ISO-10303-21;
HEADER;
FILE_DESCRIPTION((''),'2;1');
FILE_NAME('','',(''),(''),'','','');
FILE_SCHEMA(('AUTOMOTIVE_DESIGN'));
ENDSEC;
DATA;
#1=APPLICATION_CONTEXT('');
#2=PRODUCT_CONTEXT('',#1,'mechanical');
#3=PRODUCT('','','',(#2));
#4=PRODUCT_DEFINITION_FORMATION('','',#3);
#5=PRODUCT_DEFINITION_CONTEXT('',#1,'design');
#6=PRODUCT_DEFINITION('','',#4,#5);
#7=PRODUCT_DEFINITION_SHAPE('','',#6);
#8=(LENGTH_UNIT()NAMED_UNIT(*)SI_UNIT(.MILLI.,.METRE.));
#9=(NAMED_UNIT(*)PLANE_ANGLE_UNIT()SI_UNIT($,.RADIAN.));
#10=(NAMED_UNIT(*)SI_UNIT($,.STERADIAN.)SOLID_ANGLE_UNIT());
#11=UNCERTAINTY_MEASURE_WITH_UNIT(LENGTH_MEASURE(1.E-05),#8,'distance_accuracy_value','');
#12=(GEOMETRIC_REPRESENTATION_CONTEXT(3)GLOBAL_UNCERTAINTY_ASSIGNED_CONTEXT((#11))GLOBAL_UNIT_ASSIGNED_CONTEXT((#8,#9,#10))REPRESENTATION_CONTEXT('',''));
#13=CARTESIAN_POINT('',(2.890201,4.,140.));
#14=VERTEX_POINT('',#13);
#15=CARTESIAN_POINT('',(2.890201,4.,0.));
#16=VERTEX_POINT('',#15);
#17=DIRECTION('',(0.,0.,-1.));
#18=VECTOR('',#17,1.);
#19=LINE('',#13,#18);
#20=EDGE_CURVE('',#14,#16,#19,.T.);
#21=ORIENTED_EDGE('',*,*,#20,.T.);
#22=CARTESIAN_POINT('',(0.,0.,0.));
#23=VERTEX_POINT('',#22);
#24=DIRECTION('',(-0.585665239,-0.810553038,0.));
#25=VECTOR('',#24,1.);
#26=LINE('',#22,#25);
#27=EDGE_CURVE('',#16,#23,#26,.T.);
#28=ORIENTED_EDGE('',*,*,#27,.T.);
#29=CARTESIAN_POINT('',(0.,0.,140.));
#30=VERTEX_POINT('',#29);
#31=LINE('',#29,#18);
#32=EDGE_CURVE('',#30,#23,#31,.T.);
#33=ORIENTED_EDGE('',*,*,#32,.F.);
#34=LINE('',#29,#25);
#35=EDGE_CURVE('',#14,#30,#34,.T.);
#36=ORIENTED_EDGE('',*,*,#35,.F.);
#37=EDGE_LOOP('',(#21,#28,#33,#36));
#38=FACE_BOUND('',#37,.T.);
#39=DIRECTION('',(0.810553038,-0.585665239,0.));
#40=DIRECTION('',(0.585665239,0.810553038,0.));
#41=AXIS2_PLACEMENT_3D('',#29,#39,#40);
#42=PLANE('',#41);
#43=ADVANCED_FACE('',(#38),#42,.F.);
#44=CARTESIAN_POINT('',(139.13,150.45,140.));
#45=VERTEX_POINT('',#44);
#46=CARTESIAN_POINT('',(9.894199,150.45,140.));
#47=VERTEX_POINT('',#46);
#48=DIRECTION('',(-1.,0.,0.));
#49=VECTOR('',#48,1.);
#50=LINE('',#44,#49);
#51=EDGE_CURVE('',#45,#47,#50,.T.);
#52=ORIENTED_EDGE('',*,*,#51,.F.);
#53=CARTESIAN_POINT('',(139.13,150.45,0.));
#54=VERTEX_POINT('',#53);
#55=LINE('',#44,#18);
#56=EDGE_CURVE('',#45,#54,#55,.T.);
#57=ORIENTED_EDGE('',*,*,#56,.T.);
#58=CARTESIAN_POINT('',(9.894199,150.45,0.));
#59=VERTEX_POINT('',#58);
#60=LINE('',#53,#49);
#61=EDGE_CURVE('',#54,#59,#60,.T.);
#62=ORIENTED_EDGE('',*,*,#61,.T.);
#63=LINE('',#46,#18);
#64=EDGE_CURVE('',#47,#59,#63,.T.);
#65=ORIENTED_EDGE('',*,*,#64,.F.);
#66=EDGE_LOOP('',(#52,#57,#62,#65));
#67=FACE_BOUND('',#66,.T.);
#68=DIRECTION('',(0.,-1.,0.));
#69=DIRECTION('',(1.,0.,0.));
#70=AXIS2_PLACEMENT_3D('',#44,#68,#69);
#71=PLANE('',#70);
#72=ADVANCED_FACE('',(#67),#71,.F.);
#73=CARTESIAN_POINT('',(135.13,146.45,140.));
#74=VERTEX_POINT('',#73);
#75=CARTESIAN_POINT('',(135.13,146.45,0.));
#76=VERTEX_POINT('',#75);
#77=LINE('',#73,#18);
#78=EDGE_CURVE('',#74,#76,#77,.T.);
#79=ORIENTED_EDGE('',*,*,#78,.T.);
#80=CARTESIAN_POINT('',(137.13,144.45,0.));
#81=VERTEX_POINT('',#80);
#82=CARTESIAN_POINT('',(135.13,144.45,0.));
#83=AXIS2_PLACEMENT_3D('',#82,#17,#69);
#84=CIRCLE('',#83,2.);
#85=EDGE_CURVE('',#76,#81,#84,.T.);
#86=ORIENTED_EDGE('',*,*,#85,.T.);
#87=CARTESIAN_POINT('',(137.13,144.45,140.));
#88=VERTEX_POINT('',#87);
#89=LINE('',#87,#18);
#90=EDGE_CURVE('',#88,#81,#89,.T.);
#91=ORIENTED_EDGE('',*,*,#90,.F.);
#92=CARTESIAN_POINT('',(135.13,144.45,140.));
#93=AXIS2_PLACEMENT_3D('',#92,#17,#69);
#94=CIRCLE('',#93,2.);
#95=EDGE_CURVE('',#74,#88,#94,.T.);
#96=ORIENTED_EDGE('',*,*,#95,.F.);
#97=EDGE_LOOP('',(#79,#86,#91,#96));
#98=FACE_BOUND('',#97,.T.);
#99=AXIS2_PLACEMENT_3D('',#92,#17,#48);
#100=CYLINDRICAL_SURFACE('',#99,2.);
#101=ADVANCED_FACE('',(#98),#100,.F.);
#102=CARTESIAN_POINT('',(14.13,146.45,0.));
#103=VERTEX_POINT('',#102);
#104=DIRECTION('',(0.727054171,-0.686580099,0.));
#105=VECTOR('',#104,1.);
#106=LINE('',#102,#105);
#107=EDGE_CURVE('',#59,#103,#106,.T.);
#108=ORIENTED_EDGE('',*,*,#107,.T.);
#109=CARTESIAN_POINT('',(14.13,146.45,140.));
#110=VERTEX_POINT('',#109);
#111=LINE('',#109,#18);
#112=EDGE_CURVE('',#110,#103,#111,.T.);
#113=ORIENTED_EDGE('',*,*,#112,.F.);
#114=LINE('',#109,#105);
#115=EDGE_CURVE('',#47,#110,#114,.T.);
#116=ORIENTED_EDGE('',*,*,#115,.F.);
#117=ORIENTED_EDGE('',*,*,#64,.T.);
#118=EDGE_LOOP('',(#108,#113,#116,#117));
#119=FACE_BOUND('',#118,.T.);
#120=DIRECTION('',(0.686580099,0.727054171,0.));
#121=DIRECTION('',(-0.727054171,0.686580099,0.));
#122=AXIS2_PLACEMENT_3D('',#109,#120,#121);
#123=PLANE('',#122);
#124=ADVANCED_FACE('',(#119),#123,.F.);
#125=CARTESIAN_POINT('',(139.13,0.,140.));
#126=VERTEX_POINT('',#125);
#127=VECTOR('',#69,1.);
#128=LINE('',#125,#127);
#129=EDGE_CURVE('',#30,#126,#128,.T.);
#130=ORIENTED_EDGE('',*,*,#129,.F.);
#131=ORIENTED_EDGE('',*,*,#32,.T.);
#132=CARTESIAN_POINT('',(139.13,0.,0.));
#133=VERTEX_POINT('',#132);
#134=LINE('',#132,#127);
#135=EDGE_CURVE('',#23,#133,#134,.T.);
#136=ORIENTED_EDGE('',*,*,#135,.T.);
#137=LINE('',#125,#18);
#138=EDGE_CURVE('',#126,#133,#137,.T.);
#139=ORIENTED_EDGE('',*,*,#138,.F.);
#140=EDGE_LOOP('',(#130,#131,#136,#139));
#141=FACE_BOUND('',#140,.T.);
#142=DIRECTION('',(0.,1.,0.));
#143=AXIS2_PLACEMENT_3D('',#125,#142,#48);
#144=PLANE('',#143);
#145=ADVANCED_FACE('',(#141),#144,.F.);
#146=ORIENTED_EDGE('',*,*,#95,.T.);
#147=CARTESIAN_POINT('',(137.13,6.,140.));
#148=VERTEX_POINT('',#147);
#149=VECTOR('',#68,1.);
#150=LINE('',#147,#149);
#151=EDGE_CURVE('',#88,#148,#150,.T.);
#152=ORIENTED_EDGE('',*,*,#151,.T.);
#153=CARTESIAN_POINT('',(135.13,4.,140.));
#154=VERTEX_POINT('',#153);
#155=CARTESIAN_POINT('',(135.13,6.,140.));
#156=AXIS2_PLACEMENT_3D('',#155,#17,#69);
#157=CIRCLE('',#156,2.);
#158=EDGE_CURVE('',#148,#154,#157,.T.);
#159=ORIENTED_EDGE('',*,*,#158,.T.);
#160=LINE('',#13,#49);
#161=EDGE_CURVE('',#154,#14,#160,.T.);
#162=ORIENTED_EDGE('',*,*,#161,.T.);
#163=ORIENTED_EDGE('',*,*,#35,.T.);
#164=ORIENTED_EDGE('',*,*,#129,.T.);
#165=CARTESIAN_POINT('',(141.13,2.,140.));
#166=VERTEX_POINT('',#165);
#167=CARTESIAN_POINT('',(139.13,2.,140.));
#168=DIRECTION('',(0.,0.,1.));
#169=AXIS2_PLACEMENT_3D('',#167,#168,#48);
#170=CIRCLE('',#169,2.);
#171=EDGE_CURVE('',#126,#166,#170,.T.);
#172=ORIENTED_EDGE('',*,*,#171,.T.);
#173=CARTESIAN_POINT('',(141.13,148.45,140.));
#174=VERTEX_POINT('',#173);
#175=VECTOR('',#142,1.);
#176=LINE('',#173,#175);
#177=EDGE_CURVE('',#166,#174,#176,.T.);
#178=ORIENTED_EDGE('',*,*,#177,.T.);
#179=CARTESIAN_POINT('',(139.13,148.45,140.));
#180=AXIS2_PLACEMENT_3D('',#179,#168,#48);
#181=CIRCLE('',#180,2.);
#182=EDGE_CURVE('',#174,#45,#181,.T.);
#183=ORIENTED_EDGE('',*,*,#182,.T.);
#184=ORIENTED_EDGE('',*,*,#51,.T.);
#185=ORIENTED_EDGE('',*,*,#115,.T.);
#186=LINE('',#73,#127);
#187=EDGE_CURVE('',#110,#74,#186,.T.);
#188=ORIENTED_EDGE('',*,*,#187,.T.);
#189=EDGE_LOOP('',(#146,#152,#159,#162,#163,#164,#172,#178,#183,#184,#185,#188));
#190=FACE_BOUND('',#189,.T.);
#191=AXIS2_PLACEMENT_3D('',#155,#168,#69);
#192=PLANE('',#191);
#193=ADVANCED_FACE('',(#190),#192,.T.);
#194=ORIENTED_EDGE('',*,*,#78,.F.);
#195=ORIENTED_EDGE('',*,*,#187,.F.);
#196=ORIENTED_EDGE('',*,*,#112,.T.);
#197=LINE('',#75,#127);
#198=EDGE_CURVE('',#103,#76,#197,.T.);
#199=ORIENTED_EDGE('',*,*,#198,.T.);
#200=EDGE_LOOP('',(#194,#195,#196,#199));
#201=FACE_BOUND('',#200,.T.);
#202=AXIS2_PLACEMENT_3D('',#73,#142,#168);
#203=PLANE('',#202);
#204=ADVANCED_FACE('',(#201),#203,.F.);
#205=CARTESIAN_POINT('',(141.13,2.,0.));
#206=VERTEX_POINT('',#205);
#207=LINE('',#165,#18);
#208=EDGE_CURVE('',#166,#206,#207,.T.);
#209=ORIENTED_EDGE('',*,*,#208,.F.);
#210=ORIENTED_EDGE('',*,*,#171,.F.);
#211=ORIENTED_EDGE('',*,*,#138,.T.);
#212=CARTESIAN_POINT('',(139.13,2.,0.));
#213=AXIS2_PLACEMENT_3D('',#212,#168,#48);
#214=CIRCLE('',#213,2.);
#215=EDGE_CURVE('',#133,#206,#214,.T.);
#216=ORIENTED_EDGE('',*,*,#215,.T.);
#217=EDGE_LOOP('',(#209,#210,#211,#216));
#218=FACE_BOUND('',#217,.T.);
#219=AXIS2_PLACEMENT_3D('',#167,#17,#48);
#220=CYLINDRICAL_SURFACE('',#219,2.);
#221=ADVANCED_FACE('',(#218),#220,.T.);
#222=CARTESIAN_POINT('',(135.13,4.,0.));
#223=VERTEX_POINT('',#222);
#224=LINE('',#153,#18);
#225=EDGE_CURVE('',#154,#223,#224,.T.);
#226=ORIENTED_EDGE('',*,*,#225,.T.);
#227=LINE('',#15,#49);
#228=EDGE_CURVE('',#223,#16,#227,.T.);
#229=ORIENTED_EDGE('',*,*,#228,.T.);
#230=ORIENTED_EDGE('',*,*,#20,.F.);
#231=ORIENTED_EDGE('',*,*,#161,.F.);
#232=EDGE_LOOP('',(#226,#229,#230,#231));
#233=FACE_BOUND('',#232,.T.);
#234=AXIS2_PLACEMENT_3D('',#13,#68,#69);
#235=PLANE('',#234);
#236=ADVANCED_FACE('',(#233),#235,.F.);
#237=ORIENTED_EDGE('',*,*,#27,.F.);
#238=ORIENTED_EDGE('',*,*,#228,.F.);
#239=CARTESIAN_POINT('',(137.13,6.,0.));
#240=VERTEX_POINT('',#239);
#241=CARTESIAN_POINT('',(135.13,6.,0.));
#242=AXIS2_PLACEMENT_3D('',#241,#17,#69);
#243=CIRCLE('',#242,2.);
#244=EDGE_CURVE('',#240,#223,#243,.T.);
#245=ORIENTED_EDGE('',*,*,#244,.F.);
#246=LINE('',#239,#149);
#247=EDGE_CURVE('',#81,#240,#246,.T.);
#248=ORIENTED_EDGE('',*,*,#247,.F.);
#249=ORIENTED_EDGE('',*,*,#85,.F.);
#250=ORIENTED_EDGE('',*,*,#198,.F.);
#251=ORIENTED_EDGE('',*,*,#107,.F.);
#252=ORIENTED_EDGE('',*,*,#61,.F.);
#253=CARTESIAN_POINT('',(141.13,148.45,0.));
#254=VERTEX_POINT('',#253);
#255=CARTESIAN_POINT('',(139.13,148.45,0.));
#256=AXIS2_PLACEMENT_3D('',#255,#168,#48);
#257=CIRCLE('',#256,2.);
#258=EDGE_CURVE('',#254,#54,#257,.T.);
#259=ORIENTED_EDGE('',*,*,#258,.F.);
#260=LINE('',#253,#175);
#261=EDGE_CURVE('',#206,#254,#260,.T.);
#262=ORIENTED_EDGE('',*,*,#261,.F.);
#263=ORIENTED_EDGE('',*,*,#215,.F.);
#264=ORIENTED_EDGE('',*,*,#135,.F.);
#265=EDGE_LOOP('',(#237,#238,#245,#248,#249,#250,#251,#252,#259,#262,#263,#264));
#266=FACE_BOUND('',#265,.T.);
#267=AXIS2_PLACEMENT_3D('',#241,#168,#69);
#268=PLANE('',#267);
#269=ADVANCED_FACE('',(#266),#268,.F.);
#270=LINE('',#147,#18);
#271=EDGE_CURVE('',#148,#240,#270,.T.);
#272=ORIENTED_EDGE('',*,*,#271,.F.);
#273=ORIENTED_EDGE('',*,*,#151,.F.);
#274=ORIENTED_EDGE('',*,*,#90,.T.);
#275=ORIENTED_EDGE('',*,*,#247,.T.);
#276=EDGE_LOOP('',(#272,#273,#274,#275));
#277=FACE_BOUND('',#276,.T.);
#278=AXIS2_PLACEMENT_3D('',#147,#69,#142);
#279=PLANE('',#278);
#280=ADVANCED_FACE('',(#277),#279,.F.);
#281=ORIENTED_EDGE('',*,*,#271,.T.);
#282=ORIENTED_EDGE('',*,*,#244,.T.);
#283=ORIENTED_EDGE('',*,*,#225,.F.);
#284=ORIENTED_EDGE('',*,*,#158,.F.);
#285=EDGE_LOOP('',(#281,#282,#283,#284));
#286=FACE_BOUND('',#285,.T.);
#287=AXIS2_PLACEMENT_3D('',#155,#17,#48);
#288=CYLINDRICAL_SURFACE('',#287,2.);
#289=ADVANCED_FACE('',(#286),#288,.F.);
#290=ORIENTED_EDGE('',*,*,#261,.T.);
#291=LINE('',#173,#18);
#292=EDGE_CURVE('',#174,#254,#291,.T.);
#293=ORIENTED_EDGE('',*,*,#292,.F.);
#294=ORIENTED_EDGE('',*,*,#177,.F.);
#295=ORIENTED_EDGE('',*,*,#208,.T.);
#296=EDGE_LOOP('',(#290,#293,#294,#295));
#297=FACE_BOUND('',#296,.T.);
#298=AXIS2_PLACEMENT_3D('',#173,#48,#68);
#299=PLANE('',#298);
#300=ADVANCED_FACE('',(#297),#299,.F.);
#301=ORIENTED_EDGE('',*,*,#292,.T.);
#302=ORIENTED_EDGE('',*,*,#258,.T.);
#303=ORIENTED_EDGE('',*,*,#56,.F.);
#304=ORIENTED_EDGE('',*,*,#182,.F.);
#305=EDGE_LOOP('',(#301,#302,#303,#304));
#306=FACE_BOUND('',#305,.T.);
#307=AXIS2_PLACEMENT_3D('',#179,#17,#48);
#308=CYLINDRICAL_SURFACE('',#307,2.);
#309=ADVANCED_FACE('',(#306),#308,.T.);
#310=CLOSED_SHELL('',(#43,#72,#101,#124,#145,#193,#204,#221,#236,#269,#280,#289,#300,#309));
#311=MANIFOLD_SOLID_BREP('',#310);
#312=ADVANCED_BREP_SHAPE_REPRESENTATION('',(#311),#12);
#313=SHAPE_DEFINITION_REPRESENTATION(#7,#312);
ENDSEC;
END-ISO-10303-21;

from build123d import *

# Parameters (mm, degrees)
RESSALTO_EXTRUS_O1_DEPTH = 140


with BuildPart() as part:
    # Esboço1 → Ressalto-extrusão1 (new body)
    with BuildSketch(Plane.XY):
        with BuildLine():
            Line((0, 0), (2.890200696, 4))
            Line((2.890200696, 4), (135.13, 4))
            ThreePointArc((135.13, 4), (136.544213562, 4.585786438), (137.13, 6))
            Line((137.13, 6), (137.13, 144.45))
            ThreePointArc((137.13, 144.45), (136.544213562, 145.864213562), (135.13, 146.45))
            Line((135.13, 146.45), (14.13, 146.45))
            Line((14.13, 146.45), (9.894198974, 150.45))
            Line((9.894198974, 150.45), (139.13, 150.45))
            ThreePointArc((139.13, 150.45), (140.544213562, 149.864213562), (141.13, 148.45))
            Line((141.13, 148.45), (141.13, 2))
            ThreePointArc((141.13, 2), (140.544213562, 0.585786438), (139.13, 0))
            Line((139.13, 0), (0, 0))
        make_face()
    extrude(amount=RESSALTO_EXTRUS_O1_DEPTH)


solid = part.part
